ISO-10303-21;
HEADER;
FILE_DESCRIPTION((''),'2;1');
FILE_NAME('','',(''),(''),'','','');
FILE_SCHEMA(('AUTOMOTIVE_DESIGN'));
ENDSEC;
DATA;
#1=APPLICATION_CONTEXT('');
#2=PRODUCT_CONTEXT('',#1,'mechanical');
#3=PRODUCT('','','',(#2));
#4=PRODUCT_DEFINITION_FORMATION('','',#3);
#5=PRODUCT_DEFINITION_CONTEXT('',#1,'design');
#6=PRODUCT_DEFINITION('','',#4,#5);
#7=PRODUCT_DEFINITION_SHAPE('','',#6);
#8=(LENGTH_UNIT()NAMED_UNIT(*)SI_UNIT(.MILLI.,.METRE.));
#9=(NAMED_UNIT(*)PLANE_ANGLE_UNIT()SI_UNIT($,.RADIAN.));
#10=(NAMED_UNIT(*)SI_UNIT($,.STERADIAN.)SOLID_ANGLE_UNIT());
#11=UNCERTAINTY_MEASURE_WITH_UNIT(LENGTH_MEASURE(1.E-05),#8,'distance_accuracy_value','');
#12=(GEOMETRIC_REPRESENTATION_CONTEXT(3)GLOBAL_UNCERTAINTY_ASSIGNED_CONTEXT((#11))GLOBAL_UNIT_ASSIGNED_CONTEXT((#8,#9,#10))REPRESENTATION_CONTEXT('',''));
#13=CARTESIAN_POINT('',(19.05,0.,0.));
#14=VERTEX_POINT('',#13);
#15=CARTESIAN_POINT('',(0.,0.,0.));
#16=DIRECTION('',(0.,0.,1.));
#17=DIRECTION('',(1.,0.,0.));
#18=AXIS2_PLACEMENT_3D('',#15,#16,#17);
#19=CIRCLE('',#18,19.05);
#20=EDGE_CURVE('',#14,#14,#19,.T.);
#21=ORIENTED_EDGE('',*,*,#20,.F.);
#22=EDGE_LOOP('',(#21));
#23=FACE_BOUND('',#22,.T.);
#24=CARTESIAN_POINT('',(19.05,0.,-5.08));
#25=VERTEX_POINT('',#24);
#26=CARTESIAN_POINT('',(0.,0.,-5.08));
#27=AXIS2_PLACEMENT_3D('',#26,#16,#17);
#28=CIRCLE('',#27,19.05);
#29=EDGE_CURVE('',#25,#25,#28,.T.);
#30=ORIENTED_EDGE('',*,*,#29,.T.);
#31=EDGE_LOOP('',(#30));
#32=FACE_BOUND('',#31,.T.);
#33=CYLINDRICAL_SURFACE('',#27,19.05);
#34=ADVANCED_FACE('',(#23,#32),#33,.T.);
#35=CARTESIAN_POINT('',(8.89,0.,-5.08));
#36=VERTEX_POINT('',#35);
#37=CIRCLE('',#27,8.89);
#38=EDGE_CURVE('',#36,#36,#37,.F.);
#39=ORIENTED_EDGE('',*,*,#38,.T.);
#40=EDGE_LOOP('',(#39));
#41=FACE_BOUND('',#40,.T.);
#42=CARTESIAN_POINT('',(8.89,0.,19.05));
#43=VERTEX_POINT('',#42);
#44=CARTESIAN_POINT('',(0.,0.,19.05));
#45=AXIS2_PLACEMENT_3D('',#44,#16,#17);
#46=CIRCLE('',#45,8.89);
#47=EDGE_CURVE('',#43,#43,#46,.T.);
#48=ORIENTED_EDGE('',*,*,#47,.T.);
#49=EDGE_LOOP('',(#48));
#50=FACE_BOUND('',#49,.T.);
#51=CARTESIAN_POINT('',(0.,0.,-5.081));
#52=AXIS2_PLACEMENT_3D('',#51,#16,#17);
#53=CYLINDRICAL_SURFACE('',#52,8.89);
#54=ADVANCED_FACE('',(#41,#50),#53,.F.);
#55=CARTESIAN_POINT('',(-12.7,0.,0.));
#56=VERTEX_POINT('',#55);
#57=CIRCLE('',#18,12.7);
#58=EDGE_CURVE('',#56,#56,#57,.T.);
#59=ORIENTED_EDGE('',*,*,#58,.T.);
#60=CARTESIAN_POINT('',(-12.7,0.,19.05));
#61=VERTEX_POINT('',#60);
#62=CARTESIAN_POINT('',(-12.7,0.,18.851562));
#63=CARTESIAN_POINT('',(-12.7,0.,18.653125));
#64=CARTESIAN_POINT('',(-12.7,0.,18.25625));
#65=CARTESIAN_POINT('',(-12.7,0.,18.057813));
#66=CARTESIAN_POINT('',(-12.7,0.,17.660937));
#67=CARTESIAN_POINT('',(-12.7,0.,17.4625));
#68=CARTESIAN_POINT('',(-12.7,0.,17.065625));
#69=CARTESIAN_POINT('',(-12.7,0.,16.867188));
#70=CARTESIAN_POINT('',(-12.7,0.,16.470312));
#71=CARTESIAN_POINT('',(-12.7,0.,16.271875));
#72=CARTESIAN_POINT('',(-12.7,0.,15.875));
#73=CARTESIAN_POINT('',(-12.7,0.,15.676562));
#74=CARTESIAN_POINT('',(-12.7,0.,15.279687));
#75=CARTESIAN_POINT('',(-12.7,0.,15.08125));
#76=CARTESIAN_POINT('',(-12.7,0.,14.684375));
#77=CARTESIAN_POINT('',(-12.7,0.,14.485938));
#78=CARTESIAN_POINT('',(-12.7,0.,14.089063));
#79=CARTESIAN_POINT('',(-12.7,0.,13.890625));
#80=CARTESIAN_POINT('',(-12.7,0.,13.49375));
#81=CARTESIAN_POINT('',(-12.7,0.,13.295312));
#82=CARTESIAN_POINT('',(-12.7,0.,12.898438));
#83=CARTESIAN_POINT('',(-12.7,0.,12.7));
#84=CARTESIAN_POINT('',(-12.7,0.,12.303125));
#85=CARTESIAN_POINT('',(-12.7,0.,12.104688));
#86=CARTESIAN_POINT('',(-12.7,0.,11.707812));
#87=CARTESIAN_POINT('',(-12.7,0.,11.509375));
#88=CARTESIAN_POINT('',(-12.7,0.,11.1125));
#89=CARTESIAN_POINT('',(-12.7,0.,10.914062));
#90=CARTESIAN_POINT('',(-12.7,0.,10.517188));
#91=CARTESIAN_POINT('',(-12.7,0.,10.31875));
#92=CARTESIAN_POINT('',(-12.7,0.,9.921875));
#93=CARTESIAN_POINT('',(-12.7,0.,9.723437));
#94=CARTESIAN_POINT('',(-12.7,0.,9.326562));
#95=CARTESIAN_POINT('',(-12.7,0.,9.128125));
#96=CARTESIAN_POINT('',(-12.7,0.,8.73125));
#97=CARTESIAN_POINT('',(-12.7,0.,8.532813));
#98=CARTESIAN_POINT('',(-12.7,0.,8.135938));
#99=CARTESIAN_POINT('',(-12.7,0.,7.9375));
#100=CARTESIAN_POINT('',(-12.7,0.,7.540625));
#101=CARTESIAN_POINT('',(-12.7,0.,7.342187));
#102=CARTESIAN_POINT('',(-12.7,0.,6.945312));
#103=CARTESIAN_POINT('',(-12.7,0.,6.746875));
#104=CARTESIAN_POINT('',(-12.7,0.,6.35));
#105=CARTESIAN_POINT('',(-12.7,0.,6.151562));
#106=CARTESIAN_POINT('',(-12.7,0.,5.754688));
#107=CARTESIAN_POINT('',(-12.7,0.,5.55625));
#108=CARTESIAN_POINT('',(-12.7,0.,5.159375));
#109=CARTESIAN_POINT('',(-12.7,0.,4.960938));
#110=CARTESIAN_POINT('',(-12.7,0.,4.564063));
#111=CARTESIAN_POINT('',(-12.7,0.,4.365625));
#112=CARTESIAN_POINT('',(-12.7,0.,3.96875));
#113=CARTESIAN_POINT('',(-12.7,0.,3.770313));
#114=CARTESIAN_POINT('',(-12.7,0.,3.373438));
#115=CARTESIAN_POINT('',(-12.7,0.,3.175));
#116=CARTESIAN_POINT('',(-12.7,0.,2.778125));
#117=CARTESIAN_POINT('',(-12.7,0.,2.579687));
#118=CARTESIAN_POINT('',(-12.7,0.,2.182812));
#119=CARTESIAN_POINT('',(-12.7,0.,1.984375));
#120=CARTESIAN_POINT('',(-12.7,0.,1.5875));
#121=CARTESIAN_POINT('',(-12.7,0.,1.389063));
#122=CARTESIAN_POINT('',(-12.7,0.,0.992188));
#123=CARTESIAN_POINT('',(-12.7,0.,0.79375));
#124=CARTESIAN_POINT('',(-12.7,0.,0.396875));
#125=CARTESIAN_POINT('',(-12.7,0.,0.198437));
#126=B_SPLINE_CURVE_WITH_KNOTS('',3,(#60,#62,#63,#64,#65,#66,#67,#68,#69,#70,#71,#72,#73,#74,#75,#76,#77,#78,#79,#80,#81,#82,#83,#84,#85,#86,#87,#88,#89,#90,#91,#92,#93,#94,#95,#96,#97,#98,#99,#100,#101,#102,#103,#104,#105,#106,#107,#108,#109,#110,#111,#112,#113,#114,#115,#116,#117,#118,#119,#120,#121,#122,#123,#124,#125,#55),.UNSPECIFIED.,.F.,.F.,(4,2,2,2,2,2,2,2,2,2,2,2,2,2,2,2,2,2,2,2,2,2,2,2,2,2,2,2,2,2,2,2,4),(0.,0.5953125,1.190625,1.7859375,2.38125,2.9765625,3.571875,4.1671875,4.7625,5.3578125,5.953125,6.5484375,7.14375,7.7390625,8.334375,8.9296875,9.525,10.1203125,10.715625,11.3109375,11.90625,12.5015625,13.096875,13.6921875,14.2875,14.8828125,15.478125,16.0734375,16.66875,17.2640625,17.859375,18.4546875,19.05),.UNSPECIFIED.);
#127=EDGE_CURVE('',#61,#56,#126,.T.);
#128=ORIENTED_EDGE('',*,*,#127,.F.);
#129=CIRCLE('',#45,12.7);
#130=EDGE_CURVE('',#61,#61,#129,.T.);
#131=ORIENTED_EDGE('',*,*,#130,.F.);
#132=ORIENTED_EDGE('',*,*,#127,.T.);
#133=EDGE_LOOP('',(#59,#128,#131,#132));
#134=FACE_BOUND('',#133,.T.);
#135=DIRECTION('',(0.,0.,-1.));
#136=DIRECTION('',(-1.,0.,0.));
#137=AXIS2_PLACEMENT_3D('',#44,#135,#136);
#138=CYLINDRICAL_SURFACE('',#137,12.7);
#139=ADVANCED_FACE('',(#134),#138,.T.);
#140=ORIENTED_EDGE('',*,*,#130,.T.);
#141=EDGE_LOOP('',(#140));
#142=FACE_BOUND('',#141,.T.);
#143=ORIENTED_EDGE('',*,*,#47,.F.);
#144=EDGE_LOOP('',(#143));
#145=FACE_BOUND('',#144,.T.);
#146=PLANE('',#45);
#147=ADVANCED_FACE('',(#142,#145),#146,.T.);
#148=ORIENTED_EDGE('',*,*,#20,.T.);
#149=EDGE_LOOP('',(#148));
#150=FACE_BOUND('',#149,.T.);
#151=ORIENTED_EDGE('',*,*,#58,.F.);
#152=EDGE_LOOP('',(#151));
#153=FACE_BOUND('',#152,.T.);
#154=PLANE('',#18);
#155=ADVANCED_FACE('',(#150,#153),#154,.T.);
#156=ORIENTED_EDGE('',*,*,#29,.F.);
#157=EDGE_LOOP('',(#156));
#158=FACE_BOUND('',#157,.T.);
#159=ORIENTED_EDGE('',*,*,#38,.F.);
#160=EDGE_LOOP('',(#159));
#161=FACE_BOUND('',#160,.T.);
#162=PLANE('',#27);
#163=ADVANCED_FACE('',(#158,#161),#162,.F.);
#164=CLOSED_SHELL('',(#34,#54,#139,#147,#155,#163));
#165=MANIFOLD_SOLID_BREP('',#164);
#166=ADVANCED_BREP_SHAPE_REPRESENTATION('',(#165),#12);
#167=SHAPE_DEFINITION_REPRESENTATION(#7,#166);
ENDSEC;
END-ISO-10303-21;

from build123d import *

# Parameters (mm, degrees)
SKETCH1_R           = 19.05
BOSS_EXTRUDE1_DEPTH = 5.08
SKETCH2_R           = 12.7
BOSS_EXTRUDE2_DEPTH = 19.05
CUT_EXTRUDE1_REACH  = 38.167
SKETCH3_R           = 8.89


with BuildPart() as part:
    # Sketch1 → Boss-Extrude1 (new body)
    with BuildSketch(Plane.XY):
        Circle(SKETCH1_R)
    extrude(amount=-BOSS_EXTRUDE1_DEPTH)

    # Sketch2 → Boss-Extrude2 (add)
    with BuildSketch(Plane.XY):
        with Locations(Location((0, 0, 0), (0, 0, 180))):
            Circle(SKETCH2_R)
    extrude(amount=BOSS_EXTRUDE2_DEPTH)

    # Sketch3 → Cut-Extrude1 (cut, up to next)
    with BuildSketch(Plane.XY.offset(19.05), mode=Mode.PRIVATE) as cut_extrude1_sk1:
        Circle(SKETCH3_R)
    cut_extrude1_tool1 = extrude(cut_extrude1_sk1.sketch, amount=-CUT_EXTRUDE1_REACH, mode=Mode.PRIVATE) & part.part
    add(cut_extrude1_tool1.solids().sort_by_distance((0, 0, 19.05))[0], mode=Mode.SUBTRACT)


solid = part.part
